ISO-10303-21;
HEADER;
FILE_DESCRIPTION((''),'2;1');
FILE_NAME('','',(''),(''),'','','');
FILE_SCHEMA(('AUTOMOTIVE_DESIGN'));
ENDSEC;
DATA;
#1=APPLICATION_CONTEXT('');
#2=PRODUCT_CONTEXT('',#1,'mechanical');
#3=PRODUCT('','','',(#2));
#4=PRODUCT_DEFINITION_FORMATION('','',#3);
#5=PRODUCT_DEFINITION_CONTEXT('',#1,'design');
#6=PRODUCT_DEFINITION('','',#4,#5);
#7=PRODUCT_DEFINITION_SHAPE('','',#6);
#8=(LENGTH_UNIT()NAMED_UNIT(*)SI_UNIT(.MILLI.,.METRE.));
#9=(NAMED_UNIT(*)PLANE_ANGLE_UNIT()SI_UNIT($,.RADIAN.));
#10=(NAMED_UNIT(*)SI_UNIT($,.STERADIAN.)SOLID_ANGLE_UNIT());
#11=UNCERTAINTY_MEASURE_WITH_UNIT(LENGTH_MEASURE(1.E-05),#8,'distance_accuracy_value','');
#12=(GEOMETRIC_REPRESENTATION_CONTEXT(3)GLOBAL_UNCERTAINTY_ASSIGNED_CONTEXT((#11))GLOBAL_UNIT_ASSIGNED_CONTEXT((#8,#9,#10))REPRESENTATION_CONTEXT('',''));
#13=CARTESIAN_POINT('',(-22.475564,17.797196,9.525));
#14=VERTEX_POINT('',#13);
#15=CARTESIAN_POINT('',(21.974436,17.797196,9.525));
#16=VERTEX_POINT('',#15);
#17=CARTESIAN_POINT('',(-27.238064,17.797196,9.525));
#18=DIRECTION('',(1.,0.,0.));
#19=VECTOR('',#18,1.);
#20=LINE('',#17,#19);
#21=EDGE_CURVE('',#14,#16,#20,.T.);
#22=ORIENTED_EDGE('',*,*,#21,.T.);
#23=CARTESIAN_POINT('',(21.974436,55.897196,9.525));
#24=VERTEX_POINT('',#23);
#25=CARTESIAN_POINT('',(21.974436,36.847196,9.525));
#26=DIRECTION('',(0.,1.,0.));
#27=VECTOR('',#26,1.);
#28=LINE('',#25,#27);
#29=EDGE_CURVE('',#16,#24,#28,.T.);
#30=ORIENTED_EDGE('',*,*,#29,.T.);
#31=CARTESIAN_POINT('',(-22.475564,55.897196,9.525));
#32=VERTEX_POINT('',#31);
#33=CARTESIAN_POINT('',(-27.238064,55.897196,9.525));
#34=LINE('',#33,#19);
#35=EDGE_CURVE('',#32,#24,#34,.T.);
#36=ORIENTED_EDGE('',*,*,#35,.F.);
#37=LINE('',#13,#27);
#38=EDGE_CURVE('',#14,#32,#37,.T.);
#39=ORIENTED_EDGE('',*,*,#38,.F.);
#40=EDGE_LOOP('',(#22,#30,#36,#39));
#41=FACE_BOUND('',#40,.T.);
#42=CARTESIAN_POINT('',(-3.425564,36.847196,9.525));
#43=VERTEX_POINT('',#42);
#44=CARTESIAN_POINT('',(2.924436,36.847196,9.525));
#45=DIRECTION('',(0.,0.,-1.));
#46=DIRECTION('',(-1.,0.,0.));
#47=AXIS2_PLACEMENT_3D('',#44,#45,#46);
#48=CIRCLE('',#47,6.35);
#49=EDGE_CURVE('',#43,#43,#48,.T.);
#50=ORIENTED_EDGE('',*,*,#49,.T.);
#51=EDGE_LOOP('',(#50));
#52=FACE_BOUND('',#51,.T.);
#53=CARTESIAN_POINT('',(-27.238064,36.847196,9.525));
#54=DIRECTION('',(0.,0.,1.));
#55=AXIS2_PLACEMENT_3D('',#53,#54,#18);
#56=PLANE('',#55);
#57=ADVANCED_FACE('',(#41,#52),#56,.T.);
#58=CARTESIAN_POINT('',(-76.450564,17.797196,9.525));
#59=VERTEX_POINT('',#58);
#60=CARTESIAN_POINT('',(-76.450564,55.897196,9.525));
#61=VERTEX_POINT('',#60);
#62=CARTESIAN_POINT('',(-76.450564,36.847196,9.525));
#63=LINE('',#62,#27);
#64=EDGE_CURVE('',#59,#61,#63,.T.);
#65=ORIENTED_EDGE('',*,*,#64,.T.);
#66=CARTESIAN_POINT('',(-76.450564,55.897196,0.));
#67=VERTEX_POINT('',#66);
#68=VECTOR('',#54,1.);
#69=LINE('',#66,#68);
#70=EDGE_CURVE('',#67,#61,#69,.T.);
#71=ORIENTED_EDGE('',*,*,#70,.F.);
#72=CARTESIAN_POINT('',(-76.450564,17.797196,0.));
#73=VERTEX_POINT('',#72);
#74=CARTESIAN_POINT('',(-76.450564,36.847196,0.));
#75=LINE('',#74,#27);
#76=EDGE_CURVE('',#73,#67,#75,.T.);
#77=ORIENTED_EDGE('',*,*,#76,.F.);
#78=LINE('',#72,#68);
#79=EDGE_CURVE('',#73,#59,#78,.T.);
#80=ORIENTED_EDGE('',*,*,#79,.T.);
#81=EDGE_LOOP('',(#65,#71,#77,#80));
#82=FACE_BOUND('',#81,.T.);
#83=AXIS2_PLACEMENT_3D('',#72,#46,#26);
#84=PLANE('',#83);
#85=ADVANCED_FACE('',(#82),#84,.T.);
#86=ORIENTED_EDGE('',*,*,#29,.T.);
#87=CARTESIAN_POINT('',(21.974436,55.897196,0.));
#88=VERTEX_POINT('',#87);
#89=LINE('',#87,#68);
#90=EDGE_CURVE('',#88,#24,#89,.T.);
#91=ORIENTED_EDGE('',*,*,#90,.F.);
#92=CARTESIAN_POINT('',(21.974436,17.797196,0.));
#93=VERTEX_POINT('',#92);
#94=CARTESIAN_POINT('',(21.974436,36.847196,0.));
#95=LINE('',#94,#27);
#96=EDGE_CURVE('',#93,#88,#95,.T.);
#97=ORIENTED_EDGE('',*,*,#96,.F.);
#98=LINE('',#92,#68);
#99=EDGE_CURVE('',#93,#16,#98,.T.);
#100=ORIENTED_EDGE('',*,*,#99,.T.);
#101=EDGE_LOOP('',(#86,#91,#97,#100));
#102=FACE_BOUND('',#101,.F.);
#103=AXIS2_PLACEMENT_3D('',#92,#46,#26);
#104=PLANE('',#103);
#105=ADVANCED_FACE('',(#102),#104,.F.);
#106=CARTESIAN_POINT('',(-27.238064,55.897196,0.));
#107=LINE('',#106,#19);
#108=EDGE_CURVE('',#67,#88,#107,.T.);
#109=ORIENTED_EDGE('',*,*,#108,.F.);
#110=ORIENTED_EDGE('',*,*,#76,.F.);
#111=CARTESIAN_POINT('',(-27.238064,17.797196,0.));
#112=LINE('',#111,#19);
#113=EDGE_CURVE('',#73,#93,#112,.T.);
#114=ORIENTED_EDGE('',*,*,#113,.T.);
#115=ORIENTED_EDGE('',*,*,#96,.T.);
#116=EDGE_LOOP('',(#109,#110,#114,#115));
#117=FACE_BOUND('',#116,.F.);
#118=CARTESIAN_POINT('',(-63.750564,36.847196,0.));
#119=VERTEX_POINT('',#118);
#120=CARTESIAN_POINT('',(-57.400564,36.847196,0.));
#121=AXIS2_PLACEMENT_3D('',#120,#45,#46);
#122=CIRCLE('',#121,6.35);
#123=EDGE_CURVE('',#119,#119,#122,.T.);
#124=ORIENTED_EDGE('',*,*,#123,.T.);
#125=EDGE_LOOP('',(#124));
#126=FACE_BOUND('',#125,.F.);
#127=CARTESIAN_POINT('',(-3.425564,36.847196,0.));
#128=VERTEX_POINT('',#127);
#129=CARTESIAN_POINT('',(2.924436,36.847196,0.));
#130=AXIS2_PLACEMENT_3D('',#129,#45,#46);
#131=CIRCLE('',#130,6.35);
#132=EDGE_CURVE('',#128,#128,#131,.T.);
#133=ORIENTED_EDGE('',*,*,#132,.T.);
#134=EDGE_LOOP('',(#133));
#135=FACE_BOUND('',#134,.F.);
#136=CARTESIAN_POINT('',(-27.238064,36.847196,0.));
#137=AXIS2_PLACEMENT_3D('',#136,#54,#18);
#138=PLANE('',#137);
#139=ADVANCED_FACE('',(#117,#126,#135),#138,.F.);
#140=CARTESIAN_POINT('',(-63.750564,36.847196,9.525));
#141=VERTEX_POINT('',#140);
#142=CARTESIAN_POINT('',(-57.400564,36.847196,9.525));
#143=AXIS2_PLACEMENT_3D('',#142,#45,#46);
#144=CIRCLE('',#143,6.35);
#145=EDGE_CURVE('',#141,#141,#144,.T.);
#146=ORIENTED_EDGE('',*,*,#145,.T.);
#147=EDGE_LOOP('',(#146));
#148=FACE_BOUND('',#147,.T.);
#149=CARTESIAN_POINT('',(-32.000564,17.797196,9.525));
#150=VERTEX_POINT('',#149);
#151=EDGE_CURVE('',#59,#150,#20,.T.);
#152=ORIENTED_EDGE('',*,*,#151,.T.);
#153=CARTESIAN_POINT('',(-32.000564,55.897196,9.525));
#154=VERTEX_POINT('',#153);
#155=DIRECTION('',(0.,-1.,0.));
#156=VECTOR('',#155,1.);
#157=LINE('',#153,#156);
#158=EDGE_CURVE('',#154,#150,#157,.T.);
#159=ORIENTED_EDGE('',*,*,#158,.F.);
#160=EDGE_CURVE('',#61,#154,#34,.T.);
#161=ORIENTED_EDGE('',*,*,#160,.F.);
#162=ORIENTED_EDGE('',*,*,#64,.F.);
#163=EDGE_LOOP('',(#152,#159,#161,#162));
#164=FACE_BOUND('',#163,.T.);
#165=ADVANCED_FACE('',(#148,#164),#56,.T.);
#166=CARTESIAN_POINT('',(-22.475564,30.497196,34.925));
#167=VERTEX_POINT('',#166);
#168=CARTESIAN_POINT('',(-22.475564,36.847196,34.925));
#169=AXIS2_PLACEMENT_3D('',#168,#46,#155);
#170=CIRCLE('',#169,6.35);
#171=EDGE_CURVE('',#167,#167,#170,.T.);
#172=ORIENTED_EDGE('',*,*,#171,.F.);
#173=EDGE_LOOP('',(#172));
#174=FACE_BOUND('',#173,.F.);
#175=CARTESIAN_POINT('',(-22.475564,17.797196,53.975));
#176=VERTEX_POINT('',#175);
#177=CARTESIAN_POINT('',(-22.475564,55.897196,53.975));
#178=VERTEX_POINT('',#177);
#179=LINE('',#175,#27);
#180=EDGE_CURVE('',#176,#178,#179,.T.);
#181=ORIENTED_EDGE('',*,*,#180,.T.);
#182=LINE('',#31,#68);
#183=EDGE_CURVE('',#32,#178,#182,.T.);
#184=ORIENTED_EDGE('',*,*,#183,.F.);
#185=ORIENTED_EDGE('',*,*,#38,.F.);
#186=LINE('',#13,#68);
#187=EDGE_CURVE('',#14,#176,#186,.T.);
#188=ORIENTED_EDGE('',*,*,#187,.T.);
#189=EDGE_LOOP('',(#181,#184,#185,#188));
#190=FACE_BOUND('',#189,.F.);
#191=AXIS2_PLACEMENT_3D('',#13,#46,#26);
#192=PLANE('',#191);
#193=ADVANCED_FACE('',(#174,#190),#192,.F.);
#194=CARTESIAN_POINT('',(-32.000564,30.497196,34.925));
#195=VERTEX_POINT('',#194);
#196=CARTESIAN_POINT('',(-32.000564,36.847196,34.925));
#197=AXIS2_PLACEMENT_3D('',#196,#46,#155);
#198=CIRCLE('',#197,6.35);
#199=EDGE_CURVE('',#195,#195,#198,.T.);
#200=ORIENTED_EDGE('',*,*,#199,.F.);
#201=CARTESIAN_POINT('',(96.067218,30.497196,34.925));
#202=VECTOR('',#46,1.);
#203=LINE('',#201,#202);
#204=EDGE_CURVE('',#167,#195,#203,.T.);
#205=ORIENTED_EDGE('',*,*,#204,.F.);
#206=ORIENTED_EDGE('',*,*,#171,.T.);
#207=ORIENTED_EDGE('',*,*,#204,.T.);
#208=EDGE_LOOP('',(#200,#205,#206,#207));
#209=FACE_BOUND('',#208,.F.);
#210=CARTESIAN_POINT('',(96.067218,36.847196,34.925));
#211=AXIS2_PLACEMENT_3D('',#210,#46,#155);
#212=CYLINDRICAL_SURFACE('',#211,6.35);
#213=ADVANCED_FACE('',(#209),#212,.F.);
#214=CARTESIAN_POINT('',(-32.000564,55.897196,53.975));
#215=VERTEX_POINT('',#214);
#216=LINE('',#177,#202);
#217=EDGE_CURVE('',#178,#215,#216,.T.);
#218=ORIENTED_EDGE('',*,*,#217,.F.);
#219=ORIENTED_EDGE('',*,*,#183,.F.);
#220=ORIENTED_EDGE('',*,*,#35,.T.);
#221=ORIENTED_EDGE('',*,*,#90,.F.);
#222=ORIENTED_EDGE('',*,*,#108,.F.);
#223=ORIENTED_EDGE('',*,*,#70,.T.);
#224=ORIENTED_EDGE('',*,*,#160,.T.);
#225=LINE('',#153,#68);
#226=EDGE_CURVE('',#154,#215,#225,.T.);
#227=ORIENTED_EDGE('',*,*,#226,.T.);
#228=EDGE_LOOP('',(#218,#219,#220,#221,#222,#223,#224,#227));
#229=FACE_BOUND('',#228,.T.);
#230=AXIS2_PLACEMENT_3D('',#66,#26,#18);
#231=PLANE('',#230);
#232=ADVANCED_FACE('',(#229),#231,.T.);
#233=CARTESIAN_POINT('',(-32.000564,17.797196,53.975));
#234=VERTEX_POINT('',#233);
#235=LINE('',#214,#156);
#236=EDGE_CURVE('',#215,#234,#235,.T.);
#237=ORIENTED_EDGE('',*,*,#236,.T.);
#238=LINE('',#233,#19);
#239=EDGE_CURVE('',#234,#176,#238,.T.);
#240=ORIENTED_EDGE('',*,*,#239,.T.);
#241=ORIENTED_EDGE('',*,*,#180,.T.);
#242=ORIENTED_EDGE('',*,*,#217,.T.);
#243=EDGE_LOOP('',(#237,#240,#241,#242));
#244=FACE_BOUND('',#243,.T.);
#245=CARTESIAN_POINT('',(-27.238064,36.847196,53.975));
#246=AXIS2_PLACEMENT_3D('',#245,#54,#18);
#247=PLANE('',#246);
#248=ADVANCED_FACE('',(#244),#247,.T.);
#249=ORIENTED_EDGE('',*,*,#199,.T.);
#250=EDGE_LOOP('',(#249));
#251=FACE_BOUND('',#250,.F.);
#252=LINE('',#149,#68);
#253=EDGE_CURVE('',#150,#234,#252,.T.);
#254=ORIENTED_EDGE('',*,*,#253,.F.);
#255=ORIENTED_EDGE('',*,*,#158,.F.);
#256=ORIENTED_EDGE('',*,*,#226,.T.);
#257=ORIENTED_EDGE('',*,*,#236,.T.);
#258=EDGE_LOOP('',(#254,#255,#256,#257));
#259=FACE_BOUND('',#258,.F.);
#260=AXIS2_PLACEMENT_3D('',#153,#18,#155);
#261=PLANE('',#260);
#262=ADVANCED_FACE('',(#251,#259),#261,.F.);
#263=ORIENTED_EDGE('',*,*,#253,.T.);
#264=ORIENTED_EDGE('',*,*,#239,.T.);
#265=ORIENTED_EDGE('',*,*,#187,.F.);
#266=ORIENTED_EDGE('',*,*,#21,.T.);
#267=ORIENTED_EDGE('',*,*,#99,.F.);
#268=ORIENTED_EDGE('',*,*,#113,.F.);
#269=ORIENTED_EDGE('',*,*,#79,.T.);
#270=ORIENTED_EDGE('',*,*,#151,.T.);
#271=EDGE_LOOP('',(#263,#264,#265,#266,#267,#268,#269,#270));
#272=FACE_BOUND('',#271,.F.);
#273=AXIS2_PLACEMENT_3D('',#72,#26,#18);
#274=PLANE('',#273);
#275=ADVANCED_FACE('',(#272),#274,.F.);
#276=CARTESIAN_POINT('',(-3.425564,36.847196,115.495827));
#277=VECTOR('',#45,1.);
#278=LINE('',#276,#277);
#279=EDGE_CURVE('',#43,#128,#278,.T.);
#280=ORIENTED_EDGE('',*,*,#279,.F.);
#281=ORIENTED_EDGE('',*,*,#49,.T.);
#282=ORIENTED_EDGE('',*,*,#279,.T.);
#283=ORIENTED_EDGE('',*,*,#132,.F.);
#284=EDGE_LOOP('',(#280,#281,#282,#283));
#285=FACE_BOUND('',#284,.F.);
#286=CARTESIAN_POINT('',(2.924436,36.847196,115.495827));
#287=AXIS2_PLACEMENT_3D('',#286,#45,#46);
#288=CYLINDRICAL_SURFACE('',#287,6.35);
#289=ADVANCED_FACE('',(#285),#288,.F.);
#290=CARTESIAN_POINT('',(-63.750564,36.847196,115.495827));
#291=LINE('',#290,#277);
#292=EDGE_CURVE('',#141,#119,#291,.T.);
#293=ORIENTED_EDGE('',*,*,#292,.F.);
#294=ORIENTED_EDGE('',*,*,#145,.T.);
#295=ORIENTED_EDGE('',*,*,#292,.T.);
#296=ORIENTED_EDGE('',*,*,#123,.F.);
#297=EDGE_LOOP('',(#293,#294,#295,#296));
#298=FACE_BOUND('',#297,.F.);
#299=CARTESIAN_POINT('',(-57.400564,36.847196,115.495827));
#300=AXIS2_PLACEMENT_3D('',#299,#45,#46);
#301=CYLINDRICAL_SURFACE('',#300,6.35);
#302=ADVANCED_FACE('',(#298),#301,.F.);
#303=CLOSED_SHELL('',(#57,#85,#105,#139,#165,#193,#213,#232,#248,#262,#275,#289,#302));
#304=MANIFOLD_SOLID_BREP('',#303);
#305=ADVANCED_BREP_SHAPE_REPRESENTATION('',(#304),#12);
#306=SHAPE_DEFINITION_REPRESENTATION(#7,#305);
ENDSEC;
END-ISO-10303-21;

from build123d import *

# Parameters (mm, degrees)
F0_W     = 98.425
F0_H     = 38.1
F1_DEPTH = 9.525
F3_D     = 12.7
F5_DEPTH = 44.45
F7_D     = 12.7


with BuildPart() as f1:
    # F0 (on Top) → F1 (new body)
    with BuildSketch(Plane.XY):
        with Locations((-27.238064, 36.847196)):
            Rectangle(F0_W, F0_H)
    extrude(amount=F1_DEPTH)

    # F3 (through all)
    with Locations(Plane.XY.offset(9.525)):
        with Locations((-57.400564, 36.847196), (2.924436, 36.847196)):
            Hole(F3_D / 2)

    # F4 (on face) → F5 (join)
    with BuildSketch(Plane.XY.offset(9.525)):
        Polygon((-32.000564, 17.797196), (-27.238064, 17.797196), (-22.475564, 17.797196), (-22.475564, 55.897196), (-27.238064, 55.897196), (-32.000564, 55.897196), align=None)
    extrude(amount=F5_DEPTH)

    # F7 (through all)
    with Locations(Plane.YZ.offset(-22.475564)):
        with Locations((36.847196, 34.925)):
            Hole(F7_D / 2)


solid = f1.part
